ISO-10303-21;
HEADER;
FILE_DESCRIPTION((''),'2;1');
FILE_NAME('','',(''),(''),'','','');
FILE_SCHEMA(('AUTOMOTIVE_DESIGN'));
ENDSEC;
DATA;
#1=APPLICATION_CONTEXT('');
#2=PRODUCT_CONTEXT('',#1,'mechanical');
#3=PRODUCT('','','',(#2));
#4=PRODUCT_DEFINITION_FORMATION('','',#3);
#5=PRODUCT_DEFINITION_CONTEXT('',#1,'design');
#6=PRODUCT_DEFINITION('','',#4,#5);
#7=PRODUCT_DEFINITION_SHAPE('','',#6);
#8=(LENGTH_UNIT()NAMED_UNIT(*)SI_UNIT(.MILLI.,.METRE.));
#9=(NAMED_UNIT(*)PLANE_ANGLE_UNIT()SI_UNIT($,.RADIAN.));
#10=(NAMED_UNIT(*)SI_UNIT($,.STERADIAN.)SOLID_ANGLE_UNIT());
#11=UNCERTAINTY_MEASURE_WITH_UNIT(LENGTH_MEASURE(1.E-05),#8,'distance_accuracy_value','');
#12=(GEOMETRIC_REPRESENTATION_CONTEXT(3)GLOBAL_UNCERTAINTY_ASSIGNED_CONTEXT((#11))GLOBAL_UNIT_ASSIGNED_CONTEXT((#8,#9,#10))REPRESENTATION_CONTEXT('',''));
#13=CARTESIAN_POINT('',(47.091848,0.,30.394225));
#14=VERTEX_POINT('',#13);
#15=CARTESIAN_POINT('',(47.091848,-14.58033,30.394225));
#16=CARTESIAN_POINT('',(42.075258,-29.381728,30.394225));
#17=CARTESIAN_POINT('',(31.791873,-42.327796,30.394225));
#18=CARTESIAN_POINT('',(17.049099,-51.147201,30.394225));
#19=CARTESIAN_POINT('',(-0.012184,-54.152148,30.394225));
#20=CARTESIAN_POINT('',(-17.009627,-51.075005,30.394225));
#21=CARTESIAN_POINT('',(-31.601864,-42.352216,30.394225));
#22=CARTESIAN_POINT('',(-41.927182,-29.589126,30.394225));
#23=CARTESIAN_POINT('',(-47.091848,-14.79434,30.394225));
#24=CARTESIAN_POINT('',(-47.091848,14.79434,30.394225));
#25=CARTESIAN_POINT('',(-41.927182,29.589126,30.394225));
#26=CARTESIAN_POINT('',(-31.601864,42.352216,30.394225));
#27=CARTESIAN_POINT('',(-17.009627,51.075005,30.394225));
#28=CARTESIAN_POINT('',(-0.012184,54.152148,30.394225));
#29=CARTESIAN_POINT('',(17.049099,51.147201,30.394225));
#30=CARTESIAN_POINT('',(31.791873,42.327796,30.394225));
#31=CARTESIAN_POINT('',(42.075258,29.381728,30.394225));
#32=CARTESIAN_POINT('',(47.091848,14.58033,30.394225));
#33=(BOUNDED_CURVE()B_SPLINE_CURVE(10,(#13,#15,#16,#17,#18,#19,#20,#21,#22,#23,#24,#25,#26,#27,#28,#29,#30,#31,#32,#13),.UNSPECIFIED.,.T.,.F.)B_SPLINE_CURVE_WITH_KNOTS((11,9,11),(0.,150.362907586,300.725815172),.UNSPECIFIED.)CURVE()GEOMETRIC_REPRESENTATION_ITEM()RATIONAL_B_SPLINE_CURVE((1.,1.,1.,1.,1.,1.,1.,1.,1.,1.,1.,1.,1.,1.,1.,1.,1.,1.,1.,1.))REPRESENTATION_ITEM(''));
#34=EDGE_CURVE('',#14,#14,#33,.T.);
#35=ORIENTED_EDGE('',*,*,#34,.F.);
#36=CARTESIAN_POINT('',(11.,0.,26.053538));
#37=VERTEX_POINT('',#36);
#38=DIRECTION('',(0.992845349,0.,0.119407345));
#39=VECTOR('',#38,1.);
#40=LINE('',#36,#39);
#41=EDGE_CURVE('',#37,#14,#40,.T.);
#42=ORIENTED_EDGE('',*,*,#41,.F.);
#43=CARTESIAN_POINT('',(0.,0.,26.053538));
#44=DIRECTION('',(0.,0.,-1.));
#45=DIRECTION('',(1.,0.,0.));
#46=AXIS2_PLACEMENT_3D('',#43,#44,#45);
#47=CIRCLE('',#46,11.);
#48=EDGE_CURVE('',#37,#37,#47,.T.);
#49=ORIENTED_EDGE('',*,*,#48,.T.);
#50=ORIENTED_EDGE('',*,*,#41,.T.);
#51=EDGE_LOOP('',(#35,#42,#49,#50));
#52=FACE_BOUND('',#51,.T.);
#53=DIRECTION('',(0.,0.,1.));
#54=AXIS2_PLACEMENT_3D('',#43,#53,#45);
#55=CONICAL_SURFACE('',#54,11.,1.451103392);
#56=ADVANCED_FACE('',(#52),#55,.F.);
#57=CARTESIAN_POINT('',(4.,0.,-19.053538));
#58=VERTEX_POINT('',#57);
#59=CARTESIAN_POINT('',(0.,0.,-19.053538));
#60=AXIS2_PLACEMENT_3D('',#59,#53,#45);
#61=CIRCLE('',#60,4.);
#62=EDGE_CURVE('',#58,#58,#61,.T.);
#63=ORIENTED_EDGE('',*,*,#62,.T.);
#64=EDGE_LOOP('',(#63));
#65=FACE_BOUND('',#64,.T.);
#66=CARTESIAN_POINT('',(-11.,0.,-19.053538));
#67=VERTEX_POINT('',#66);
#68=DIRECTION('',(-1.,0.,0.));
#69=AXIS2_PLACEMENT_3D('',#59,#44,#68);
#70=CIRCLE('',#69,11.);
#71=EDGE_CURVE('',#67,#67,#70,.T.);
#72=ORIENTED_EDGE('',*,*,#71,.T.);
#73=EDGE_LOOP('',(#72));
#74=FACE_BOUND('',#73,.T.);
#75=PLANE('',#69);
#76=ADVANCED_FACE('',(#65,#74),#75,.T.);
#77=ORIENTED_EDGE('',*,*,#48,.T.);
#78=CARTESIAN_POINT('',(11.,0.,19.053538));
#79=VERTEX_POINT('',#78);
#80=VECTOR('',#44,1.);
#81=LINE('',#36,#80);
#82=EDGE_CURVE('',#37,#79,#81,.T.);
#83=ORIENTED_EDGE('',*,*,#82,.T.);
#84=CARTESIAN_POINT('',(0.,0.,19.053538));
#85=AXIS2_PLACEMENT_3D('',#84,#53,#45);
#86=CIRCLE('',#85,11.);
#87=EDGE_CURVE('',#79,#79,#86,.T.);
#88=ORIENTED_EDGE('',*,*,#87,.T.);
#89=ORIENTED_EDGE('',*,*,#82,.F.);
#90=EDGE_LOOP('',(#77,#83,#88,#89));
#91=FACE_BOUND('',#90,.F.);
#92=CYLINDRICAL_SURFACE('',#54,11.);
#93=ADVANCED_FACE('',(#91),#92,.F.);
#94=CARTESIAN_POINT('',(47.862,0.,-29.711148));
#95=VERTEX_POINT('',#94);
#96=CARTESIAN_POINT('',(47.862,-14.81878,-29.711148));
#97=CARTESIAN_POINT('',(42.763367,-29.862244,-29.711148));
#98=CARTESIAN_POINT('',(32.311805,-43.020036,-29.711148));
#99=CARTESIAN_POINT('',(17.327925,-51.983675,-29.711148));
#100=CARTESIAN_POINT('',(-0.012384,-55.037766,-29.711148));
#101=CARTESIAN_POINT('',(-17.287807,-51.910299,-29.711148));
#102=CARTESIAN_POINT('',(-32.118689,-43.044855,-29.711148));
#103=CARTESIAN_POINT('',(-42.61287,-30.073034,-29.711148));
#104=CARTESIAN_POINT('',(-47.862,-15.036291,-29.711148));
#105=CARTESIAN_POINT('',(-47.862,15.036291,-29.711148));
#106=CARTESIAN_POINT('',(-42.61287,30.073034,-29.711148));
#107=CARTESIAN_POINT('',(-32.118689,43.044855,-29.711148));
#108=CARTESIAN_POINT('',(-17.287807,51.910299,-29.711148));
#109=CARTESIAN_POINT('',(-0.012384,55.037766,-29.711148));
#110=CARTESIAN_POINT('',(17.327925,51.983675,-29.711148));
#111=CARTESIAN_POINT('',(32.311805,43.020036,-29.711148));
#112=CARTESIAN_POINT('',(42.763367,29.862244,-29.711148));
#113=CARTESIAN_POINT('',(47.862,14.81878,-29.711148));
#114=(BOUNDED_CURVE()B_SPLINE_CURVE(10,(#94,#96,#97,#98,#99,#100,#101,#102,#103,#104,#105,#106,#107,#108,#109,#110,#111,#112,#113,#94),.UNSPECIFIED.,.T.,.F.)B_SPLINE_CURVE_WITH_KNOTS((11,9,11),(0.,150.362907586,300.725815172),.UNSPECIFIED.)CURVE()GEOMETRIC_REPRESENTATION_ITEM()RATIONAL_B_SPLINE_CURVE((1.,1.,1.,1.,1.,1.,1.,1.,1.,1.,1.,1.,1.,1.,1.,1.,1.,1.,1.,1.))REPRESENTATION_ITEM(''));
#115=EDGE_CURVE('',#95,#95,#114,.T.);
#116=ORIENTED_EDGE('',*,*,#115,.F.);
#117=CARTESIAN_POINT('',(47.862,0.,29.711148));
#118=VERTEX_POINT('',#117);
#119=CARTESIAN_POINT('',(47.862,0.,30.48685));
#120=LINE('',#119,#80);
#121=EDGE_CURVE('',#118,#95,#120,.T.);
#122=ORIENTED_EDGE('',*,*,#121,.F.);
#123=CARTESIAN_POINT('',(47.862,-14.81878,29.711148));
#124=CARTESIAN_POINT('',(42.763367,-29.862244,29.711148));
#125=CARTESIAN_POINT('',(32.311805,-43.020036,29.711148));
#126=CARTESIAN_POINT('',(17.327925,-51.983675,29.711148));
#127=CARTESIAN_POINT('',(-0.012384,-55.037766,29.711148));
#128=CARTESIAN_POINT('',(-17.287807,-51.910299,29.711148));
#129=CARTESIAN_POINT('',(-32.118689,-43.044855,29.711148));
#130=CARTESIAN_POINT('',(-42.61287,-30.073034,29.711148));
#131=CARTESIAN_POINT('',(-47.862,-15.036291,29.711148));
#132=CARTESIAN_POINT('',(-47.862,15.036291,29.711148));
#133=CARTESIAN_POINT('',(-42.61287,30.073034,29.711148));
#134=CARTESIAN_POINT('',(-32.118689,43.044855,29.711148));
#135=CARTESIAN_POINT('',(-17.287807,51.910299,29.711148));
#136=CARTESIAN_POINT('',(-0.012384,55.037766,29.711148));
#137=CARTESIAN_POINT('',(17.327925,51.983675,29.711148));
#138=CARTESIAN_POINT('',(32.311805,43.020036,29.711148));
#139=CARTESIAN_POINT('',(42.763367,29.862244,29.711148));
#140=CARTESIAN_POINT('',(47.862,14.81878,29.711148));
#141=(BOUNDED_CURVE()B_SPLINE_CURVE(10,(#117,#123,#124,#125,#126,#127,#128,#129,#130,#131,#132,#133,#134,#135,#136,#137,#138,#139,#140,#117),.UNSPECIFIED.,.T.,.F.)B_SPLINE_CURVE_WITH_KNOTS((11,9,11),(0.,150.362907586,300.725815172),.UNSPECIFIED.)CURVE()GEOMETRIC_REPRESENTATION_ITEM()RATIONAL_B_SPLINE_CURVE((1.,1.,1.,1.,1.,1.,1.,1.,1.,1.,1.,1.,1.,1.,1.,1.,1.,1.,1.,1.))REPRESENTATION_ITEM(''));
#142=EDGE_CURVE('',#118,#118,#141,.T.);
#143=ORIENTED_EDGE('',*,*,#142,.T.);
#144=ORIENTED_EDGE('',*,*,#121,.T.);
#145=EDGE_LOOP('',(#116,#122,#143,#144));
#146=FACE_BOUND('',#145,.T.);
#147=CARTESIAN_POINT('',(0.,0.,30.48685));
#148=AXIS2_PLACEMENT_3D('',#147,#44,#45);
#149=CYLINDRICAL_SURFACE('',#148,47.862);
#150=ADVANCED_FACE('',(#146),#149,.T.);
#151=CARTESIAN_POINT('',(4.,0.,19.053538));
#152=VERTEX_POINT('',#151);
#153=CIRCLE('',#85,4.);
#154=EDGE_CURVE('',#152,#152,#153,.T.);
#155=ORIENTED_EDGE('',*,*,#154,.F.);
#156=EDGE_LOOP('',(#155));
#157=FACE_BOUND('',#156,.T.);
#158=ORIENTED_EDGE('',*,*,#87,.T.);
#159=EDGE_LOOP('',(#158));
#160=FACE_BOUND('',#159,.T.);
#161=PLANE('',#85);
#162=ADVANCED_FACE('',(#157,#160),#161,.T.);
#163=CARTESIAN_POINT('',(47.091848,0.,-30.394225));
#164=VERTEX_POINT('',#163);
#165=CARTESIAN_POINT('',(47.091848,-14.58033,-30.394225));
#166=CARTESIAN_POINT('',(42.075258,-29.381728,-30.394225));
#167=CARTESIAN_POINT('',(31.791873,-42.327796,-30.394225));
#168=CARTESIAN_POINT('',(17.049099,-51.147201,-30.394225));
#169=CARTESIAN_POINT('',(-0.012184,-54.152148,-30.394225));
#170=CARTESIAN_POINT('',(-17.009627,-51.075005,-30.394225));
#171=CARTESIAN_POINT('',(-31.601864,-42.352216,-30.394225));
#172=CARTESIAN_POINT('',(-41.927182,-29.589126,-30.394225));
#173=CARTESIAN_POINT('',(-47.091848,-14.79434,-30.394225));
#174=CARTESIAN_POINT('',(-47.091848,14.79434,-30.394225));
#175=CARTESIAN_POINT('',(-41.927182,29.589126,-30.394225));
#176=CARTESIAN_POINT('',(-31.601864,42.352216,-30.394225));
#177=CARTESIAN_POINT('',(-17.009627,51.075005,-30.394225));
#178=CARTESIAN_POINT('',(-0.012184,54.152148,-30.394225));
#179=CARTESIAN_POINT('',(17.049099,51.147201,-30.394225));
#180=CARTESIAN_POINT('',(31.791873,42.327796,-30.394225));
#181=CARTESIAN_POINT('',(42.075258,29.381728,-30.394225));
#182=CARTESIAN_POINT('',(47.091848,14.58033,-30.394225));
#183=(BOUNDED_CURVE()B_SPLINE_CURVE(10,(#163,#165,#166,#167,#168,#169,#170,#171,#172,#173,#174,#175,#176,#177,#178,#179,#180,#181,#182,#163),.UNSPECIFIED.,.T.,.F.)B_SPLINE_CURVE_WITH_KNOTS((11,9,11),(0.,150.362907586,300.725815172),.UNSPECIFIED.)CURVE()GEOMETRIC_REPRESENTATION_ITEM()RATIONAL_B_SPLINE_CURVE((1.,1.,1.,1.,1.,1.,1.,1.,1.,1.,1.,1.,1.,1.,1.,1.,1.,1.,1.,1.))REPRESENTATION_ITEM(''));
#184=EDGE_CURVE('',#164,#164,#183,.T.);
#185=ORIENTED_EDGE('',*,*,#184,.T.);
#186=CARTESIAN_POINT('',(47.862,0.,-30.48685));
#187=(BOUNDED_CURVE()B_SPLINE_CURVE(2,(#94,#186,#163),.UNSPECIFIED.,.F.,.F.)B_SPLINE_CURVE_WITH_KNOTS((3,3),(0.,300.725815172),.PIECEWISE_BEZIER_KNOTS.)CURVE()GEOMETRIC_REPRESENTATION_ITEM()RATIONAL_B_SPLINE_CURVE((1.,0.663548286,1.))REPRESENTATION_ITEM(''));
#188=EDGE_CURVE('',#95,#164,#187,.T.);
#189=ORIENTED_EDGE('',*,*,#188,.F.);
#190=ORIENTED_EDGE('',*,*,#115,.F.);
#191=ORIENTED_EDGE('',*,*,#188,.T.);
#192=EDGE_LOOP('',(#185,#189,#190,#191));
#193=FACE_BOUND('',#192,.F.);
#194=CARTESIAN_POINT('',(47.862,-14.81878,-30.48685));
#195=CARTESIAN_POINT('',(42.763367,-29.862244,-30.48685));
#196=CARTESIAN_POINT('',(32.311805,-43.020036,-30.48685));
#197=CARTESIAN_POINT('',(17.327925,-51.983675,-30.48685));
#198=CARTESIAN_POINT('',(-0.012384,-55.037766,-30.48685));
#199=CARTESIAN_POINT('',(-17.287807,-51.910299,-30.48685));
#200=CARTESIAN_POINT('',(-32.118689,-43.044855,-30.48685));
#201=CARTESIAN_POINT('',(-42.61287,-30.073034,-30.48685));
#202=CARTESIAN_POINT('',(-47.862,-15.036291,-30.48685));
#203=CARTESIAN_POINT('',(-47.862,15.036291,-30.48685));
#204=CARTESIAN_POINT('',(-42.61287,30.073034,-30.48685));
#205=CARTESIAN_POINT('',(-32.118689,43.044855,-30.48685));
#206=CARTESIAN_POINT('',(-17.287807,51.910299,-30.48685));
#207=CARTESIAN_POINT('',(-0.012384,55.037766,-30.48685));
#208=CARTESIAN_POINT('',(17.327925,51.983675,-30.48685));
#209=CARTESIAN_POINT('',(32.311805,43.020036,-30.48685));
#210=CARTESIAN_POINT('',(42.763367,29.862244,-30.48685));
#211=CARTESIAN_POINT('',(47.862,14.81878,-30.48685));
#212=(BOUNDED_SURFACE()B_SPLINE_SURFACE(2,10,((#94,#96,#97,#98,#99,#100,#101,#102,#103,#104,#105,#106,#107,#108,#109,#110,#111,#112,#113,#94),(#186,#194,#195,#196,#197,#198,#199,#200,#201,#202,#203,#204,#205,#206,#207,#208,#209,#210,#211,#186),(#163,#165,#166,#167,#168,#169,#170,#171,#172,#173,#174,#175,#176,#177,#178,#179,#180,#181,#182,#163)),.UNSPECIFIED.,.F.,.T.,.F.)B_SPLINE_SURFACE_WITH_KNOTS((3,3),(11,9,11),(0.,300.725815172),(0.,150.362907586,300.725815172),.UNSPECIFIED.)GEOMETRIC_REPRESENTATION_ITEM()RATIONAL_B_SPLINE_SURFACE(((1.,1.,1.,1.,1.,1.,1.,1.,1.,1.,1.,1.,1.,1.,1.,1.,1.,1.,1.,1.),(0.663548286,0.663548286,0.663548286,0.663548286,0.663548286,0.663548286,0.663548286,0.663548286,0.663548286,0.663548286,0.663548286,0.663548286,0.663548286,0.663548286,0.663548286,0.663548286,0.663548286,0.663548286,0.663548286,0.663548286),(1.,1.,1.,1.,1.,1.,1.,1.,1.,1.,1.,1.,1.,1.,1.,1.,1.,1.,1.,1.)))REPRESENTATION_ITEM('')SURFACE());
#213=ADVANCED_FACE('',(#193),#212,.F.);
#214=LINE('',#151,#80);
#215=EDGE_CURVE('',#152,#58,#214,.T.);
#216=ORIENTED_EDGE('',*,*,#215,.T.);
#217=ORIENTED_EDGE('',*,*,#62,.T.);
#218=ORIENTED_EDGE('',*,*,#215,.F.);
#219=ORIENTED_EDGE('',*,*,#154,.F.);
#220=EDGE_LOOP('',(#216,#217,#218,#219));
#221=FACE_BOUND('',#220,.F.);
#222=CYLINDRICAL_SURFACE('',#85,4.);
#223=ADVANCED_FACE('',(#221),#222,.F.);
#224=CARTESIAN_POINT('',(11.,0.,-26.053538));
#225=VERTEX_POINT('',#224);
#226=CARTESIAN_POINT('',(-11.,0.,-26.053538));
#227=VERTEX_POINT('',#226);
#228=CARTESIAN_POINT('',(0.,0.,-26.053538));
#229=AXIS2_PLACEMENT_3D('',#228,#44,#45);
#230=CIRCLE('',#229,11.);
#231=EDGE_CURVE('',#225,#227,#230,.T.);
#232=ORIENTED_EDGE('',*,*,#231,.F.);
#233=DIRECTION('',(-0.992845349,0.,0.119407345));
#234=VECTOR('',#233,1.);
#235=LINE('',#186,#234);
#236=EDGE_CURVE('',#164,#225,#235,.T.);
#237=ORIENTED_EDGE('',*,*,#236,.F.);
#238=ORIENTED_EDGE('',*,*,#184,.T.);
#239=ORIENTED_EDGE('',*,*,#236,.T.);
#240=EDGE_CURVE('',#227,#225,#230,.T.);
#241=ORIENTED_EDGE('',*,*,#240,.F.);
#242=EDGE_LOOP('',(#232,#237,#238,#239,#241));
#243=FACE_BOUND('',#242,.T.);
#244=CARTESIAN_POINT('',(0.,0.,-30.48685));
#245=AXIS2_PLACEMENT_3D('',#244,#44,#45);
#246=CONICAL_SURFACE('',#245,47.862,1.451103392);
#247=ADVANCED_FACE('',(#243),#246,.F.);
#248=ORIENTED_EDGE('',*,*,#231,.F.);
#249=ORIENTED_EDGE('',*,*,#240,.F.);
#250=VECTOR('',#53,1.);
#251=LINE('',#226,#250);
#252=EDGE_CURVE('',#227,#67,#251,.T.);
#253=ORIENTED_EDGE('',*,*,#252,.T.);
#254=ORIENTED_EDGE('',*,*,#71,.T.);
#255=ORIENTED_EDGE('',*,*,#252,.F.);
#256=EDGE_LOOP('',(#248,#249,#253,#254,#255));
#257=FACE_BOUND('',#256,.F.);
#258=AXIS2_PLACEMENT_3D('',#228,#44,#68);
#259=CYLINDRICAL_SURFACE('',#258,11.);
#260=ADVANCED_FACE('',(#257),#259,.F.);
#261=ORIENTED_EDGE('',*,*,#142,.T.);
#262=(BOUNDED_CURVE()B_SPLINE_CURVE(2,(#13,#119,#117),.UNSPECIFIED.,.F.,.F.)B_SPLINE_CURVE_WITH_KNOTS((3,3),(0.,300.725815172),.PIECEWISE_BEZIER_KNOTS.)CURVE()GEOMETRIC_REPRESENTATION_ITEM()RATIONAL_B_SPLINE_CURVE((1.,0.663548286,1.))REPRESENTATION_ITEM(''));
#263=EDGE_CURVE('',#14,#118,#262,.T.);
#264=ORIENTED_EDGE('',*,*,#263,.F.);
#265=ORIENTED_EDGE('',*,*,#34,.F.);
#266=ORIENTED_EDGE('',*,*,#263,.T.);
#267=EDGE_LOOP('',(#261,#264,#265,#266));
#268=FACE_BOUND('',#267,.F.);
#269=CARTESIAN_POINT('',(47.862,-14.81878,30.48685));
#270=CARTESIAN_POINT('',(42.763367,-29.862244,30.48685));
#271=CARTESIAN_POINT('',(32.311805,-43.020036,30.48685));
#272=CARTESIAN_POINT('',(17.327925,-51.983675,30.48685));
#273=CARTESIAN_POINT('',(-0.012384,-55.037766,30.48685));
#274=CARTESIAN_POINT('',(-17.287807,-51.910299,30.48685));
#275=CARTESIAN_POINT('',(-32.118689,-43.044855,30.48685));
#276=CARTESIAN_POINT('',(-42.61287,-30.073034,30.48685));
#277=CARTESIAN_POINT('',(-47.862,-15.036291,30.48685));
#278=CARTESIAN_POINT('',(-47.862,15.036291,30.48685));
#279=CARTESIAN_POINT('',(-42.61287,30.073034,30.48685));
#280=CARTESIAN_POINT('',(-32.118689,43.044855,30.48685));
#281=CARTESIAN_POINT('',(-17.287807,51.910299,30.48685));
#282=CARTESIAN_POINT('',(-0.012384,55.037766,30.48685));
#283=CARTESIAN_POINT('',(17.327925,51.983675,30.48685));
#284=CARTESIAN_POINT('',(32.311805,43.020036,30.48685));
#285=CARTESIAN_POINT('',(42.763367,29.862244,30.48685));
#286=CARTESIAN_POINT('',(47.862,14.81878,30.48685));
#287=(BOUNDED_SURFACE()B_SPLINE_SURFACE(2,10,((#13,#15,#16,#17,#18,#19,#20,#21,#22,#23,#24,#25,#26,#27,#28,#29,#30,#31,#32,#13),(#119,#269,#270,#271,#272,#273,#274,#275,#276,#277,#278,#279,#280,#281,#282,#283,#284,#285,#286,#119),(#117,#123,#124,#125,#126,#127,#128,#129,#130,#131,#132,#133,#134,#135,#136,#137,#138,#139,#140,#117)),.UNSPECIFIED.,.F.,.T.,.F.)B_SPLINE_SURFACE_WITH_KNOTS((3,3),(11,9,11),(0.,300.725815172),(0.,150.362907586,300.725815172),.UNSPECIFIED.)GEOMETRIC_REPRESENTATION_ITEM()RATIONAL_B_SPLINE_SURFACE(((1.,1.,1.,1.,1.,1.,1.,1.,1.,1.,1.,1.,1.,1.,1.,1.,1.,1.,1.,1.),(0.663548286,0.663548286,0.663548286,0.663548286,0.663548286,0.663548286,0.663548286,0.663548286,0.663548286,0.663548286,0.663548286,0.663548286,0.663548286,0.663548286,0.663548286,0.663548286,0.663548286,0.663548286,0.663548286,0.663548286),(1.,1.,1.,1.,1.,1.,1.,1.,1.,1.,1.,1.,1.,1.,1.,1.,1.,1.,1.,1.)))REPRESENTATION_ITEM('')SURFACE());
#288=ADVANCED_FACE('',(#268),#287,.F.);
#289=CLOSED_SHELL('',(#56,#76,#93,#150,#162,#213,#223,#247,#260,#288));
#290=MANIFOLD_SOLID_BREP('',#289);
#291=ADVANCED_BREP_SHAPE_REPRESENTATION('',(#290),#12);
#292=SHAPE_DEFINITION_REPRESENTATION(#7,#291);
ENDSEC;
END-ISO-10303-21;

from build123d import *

# Parameters (mm, degrees)
SKETCH1_W          = 11
SKETCH1_H          = 52.107075314
SKETCH3_R          = 11
CUT_EXTRUDE1_DEPTH = 7
SKETCH4_R          = 4
CUT_EXTRUDE2_DEPTH = 50.540387657
SKETCH5_R          = 11
CUT_EXTRUDE3_DEPTH = 7
FILLET2_R          = 0.688


with BuildPart() as part:
    # Sketch1 → Revolve1 (revolve)
    with BuildSketch(Plane(origin=(0, 0, 0), x_dir=(1, 0, 0), z_dir=(0, 1, 0))):
        with Locations((5.5, 0)):
            Rectangle(SKETCH1_W, SKETCH1_H)
        Polygon((11, 26.053537657), (11, -26.053537657), (47.862, -30.48685), (47.862, 30.48685), align=None)
    revolve(axis=Axis((0, 0, 26.053537657), (0, 0, -1)))

    # Sketch3 → Cut-Extrude1 (cut)
    with BuildSketch(Plane.XY.offset(26.053537657)):
        Circle(SKETCH3_R)
    extrude(amount=-CUT_EXTRUDE1_DEPTH, mode=Mode.SUBTRACT)

    # Sketch4 → Cut-Extrude2 (cut, through all)
    with BuildSketch(Plane.XY.offset(19.053537657)):
        Circle(SKETCH4_R)
    extrude(amount=-CUT_EXTRUDE2_DEPTH, mode=Mode.SUBTRACT)

    # Sketch5 → Cut-Extrude3 (cut)
    with BuildSketch(Plane(origin=(0, 0, -26.053537657), x_dir=(-1, 0, 0), z_dir=(0, 0, -1))):
        Circle(SKETCH5_R)
    extrude(amount=-CUT_EXTRUDE3_DEPTH, mode=Mode.SUBTRACT)

    # Fillet2
    fillet2_edges = [part.edges().sort_by_distance(p)[0] for p in [
        (-47.862, 0, -30.48685),
        (-47.862, 0, 30.48685),
    ]]
    fillet(fillet2_edges, radius=FILLET2_R)


solid = part.part
